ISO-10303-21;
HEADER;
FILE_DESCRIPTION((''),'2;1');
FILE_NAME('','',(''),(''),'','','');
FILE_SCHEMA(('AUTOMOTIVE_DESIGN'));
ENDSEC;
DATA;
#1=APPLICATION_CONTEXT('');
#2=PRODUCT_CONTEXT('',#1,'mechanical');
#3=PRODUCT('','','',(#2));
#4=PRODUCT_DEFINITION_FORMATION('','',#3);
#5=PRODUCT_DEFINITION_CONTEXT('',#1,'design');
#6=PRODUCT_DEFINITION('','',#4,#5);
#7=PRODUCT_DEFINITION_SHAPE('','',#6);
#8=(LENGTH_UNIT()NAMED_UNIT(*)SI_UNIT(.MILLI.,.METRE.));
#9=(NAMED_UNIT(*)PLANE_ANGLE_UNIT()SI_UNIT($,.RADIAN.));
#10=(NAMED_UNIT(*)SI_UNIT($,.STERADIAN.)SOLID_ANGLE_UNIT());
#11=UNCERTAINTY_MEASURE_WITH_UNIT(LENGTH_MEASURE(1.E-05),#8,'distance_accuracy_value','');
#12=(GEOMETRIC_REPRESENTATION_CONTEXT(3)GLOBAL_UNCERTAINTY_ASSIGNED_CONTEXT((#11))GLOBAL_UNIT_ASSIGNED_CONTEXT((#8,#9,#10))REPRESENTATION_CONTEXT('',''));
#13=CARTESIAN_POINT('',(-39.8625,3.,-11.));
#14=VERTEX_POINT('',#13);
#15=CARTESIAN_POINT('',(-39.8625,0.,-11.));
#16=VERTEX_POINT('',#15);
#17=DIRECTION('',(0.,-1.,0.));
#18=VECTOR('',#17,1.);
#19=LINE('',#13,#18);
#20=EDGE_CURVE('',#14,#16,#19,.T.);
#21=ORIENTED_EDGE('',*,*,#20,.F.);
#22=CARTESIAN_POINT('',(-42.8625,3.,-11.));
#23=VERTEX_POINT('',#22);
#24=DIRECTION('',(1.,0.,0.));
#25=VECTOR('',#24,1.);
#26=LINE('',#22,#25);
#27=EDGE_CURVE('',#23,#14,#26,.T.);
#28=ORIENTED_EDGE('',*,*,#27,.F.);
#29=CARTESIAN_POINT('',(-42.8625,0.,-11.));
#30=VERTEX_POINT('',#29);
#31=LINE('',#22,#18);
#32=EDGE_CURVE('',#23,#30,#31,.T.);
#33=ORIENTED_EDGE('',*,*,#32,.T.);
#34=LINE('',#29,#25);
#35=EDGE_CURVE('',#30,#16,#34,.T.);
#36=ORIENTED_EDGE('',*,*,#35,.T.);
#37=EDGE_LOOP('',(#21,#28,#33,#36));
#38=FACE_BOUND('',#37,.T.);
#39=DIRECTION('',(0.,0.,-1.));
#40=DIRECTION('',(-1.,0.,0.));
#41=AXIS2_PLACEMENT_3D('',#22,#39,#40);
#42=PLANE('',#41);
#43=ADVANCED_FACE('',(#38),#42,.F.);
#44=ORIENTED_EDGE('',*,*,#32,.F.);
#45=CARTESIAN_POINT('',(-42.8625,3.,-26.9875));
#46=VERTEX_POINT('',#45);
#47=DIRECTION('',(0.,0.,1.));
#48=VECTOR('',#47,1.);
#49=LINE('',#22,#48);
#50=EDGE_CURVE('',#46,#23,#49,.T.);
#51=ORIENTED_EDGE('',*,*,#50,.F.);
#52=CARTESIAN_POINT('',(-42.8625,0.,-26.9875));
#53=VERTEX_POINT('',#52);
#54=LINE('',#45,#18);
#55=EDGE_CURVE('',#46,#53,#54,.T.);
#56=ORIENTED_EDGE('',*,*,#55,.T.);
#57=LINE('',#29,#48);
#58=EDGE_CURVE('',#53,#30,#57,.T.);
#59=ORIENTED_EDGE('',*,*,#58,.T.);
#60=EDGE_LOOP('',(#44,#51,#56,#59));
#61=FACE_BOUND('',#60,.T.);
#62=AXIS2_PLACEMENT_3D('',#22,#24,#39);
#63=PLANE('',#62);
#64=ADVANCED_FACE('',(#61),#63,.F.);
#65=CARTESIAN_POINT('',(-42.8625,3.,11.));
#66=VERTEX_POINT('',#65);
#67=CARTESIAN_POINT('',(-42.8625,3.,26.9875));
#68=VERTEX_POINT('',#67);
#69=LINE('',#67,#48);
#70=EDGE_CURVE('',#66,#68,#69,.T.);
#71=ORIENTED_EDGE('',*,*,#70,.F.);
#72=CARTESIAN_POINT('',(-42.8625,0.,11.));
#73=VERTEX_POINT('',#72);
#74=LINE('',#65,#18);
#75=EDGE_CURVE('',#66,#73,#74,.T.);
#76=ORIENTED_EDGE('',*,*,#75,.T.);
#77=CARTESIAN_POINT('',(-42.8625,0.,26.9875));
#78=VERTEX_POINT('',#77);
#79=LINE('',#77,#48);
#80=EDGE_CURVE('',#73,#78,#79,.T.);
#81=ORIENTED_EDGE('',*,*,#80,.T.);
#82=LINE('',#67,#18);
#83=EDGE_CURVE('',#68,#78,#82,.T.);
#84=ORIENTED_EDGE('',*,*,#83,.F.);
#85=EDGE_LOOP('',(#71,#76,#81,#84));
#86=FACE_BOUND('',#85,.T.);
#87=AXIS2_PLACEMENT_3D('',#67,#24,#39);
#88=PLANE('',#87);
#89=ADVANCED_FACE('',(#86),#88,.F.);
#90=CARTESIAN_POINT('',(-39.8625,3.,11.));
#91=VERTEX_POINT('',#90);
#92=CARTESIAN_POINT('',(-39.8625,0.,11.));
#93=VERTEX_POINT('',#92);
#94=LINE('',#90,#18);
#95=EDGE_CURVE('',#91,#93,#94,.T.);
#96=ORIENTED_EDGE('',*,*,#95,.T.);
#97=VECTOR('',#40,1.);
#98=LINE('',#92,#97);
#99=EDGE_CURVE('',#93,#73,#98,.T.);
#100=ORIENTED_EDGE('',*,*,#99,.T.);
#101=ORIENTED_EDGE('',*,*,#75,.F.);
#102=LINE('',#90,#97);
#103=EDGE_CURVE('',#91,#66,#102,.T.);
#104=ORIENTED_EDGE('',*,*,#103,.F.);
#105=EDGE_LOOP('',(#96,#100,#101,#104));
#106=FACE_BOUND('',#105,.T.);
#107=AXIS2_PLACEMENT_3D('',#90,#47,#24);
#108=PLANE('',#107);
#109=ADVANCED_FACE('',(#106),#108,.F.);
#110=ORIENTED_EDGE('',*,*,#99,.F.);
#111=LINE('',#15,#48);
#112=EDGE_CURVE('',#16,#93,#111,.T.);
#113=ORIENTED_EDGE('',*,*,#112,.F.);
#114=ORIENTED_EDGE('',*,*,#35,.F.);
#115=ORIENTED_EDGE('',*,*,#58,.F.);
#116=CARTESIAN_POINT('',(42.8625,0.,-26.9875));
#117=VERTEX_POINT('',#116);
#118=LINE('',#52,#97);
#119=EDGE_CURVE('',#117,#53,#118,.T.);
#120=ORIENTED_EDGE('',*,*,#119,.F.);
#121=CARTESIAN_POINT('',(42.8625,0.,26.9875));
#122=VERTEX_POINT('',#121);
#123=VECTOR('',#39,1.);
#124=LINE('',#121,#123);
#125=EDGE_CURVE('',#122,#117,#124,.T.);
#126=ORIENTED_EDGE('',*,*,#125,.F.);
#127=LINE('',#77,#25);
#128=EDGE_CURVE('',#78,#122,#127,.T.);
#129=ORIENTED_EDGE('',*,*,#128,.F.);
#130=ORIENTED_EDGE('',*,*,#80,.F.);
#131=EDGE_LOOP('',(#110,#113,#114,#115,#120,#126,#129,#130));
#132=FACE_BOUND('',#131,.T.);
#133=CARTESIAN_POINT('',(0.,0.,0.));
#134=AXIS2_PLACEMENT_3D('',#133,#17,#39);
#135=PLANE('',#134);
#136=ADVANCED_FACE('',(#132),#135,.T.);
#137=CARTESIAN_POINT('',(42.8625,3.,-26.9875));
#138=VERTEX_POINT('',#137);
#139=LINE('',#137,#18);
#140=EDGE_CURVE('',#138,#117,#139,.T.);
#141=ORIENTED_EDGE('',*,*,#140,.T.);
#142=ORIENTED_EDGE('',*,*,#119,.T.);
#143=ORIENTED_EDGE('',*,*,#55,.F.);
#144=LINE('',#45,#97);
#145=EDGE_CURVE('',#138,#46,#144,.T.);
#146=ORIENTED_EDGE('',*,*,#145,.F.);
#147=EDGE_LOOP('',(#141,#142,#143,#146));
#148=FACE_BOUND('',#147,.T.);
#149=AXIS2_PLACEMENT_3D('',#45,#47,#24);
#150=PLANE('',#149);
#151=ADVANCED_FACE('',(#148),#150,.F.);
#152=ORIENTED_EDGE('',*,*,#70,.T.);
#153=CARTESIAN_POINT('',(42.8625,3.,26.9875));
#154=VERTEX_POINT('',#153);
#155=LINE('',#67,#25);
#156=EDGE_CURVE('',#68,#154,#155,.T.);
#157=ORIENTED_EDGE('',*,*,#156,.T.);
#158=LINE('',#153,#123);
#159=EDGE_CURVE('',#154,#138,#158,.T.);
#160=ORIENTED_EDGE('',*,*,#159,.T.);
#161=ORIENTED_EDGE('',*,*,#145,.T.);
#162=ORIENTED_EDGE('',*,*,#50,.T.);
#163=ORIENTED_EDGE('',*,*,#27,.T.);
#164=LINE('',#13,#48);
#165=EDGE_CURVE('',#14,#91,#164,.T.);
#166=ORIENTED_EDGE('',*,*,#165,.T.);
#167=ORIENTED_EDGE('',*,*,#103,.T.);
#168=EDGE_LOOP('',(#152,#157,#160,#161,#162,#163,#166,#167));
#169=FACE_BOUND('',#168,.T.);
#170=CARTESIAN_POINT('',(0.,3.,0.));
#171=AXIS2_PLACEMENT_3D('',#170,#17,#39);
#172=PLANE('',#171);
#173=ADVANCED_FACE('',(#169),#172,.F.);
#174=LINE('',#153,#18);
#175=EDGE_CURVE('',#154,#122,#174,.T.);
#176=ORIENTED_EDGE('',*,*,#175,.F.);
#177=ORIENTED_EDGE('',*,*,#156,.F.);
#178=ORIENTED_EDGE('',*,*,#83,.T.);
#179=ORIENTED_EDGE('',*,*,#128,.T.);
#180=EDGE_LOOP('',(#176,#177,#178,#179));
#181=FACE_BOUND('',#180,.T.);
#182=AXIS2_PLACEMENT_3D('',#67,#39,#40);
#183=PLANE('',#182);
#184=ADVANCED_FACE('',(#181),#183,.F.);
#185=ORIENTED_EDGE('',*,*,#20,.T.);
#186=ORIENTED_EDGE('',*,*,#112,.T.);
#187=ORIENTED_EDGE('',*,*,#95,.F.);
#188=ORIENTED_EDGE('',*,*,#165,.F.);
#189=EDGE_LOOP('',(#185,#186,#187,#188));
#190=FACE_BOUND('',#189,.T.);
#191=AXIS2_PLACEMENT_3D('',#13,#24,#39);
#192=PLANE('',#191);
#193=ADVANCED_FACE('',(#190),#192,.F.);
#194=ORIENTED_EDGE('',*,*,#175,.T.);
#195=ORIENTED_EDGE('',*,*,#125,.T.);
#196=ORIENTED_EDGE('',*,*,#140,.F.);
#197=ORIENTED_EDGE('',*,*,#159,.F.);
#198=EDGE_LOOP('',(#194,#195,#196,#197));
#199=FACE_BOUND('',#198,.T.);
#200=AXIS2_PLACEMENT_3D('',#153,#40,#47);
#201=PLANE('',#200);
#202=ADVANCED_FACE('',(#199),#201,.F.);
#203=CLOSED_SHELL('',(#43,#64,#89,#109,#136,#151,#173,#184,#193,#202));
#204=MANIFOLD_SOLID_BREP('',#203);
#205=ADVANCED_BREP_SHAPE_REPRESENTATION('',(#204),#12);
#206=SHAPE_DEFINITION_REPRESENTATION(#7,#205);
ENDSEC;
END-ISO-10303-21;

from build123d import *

# Parameters (mm, degrees)
BOSS_EXTRUDE1_DEPTH = 3


with BuildPart() as part:
    # Sketch1 → Boss-Extrude1 (new body)
    with BuildSketch(Plane(origin=(0, 0, 0), x_dir=(1, 0, 0), z_dir=(0, 1, 0))):
        Polygon((-42.8625, -26.9875), (42.8625, -26.9875), (42.8625, 26.9875), (-42.8625, 26.9875), (-42.8625, 11), (-39.8625, 11), (-39.8625, -11), (-42.8625, -11), align=None)
    extrude(amount=BOSS_EXTRUDE1_DEPTH)


solid = part.part
